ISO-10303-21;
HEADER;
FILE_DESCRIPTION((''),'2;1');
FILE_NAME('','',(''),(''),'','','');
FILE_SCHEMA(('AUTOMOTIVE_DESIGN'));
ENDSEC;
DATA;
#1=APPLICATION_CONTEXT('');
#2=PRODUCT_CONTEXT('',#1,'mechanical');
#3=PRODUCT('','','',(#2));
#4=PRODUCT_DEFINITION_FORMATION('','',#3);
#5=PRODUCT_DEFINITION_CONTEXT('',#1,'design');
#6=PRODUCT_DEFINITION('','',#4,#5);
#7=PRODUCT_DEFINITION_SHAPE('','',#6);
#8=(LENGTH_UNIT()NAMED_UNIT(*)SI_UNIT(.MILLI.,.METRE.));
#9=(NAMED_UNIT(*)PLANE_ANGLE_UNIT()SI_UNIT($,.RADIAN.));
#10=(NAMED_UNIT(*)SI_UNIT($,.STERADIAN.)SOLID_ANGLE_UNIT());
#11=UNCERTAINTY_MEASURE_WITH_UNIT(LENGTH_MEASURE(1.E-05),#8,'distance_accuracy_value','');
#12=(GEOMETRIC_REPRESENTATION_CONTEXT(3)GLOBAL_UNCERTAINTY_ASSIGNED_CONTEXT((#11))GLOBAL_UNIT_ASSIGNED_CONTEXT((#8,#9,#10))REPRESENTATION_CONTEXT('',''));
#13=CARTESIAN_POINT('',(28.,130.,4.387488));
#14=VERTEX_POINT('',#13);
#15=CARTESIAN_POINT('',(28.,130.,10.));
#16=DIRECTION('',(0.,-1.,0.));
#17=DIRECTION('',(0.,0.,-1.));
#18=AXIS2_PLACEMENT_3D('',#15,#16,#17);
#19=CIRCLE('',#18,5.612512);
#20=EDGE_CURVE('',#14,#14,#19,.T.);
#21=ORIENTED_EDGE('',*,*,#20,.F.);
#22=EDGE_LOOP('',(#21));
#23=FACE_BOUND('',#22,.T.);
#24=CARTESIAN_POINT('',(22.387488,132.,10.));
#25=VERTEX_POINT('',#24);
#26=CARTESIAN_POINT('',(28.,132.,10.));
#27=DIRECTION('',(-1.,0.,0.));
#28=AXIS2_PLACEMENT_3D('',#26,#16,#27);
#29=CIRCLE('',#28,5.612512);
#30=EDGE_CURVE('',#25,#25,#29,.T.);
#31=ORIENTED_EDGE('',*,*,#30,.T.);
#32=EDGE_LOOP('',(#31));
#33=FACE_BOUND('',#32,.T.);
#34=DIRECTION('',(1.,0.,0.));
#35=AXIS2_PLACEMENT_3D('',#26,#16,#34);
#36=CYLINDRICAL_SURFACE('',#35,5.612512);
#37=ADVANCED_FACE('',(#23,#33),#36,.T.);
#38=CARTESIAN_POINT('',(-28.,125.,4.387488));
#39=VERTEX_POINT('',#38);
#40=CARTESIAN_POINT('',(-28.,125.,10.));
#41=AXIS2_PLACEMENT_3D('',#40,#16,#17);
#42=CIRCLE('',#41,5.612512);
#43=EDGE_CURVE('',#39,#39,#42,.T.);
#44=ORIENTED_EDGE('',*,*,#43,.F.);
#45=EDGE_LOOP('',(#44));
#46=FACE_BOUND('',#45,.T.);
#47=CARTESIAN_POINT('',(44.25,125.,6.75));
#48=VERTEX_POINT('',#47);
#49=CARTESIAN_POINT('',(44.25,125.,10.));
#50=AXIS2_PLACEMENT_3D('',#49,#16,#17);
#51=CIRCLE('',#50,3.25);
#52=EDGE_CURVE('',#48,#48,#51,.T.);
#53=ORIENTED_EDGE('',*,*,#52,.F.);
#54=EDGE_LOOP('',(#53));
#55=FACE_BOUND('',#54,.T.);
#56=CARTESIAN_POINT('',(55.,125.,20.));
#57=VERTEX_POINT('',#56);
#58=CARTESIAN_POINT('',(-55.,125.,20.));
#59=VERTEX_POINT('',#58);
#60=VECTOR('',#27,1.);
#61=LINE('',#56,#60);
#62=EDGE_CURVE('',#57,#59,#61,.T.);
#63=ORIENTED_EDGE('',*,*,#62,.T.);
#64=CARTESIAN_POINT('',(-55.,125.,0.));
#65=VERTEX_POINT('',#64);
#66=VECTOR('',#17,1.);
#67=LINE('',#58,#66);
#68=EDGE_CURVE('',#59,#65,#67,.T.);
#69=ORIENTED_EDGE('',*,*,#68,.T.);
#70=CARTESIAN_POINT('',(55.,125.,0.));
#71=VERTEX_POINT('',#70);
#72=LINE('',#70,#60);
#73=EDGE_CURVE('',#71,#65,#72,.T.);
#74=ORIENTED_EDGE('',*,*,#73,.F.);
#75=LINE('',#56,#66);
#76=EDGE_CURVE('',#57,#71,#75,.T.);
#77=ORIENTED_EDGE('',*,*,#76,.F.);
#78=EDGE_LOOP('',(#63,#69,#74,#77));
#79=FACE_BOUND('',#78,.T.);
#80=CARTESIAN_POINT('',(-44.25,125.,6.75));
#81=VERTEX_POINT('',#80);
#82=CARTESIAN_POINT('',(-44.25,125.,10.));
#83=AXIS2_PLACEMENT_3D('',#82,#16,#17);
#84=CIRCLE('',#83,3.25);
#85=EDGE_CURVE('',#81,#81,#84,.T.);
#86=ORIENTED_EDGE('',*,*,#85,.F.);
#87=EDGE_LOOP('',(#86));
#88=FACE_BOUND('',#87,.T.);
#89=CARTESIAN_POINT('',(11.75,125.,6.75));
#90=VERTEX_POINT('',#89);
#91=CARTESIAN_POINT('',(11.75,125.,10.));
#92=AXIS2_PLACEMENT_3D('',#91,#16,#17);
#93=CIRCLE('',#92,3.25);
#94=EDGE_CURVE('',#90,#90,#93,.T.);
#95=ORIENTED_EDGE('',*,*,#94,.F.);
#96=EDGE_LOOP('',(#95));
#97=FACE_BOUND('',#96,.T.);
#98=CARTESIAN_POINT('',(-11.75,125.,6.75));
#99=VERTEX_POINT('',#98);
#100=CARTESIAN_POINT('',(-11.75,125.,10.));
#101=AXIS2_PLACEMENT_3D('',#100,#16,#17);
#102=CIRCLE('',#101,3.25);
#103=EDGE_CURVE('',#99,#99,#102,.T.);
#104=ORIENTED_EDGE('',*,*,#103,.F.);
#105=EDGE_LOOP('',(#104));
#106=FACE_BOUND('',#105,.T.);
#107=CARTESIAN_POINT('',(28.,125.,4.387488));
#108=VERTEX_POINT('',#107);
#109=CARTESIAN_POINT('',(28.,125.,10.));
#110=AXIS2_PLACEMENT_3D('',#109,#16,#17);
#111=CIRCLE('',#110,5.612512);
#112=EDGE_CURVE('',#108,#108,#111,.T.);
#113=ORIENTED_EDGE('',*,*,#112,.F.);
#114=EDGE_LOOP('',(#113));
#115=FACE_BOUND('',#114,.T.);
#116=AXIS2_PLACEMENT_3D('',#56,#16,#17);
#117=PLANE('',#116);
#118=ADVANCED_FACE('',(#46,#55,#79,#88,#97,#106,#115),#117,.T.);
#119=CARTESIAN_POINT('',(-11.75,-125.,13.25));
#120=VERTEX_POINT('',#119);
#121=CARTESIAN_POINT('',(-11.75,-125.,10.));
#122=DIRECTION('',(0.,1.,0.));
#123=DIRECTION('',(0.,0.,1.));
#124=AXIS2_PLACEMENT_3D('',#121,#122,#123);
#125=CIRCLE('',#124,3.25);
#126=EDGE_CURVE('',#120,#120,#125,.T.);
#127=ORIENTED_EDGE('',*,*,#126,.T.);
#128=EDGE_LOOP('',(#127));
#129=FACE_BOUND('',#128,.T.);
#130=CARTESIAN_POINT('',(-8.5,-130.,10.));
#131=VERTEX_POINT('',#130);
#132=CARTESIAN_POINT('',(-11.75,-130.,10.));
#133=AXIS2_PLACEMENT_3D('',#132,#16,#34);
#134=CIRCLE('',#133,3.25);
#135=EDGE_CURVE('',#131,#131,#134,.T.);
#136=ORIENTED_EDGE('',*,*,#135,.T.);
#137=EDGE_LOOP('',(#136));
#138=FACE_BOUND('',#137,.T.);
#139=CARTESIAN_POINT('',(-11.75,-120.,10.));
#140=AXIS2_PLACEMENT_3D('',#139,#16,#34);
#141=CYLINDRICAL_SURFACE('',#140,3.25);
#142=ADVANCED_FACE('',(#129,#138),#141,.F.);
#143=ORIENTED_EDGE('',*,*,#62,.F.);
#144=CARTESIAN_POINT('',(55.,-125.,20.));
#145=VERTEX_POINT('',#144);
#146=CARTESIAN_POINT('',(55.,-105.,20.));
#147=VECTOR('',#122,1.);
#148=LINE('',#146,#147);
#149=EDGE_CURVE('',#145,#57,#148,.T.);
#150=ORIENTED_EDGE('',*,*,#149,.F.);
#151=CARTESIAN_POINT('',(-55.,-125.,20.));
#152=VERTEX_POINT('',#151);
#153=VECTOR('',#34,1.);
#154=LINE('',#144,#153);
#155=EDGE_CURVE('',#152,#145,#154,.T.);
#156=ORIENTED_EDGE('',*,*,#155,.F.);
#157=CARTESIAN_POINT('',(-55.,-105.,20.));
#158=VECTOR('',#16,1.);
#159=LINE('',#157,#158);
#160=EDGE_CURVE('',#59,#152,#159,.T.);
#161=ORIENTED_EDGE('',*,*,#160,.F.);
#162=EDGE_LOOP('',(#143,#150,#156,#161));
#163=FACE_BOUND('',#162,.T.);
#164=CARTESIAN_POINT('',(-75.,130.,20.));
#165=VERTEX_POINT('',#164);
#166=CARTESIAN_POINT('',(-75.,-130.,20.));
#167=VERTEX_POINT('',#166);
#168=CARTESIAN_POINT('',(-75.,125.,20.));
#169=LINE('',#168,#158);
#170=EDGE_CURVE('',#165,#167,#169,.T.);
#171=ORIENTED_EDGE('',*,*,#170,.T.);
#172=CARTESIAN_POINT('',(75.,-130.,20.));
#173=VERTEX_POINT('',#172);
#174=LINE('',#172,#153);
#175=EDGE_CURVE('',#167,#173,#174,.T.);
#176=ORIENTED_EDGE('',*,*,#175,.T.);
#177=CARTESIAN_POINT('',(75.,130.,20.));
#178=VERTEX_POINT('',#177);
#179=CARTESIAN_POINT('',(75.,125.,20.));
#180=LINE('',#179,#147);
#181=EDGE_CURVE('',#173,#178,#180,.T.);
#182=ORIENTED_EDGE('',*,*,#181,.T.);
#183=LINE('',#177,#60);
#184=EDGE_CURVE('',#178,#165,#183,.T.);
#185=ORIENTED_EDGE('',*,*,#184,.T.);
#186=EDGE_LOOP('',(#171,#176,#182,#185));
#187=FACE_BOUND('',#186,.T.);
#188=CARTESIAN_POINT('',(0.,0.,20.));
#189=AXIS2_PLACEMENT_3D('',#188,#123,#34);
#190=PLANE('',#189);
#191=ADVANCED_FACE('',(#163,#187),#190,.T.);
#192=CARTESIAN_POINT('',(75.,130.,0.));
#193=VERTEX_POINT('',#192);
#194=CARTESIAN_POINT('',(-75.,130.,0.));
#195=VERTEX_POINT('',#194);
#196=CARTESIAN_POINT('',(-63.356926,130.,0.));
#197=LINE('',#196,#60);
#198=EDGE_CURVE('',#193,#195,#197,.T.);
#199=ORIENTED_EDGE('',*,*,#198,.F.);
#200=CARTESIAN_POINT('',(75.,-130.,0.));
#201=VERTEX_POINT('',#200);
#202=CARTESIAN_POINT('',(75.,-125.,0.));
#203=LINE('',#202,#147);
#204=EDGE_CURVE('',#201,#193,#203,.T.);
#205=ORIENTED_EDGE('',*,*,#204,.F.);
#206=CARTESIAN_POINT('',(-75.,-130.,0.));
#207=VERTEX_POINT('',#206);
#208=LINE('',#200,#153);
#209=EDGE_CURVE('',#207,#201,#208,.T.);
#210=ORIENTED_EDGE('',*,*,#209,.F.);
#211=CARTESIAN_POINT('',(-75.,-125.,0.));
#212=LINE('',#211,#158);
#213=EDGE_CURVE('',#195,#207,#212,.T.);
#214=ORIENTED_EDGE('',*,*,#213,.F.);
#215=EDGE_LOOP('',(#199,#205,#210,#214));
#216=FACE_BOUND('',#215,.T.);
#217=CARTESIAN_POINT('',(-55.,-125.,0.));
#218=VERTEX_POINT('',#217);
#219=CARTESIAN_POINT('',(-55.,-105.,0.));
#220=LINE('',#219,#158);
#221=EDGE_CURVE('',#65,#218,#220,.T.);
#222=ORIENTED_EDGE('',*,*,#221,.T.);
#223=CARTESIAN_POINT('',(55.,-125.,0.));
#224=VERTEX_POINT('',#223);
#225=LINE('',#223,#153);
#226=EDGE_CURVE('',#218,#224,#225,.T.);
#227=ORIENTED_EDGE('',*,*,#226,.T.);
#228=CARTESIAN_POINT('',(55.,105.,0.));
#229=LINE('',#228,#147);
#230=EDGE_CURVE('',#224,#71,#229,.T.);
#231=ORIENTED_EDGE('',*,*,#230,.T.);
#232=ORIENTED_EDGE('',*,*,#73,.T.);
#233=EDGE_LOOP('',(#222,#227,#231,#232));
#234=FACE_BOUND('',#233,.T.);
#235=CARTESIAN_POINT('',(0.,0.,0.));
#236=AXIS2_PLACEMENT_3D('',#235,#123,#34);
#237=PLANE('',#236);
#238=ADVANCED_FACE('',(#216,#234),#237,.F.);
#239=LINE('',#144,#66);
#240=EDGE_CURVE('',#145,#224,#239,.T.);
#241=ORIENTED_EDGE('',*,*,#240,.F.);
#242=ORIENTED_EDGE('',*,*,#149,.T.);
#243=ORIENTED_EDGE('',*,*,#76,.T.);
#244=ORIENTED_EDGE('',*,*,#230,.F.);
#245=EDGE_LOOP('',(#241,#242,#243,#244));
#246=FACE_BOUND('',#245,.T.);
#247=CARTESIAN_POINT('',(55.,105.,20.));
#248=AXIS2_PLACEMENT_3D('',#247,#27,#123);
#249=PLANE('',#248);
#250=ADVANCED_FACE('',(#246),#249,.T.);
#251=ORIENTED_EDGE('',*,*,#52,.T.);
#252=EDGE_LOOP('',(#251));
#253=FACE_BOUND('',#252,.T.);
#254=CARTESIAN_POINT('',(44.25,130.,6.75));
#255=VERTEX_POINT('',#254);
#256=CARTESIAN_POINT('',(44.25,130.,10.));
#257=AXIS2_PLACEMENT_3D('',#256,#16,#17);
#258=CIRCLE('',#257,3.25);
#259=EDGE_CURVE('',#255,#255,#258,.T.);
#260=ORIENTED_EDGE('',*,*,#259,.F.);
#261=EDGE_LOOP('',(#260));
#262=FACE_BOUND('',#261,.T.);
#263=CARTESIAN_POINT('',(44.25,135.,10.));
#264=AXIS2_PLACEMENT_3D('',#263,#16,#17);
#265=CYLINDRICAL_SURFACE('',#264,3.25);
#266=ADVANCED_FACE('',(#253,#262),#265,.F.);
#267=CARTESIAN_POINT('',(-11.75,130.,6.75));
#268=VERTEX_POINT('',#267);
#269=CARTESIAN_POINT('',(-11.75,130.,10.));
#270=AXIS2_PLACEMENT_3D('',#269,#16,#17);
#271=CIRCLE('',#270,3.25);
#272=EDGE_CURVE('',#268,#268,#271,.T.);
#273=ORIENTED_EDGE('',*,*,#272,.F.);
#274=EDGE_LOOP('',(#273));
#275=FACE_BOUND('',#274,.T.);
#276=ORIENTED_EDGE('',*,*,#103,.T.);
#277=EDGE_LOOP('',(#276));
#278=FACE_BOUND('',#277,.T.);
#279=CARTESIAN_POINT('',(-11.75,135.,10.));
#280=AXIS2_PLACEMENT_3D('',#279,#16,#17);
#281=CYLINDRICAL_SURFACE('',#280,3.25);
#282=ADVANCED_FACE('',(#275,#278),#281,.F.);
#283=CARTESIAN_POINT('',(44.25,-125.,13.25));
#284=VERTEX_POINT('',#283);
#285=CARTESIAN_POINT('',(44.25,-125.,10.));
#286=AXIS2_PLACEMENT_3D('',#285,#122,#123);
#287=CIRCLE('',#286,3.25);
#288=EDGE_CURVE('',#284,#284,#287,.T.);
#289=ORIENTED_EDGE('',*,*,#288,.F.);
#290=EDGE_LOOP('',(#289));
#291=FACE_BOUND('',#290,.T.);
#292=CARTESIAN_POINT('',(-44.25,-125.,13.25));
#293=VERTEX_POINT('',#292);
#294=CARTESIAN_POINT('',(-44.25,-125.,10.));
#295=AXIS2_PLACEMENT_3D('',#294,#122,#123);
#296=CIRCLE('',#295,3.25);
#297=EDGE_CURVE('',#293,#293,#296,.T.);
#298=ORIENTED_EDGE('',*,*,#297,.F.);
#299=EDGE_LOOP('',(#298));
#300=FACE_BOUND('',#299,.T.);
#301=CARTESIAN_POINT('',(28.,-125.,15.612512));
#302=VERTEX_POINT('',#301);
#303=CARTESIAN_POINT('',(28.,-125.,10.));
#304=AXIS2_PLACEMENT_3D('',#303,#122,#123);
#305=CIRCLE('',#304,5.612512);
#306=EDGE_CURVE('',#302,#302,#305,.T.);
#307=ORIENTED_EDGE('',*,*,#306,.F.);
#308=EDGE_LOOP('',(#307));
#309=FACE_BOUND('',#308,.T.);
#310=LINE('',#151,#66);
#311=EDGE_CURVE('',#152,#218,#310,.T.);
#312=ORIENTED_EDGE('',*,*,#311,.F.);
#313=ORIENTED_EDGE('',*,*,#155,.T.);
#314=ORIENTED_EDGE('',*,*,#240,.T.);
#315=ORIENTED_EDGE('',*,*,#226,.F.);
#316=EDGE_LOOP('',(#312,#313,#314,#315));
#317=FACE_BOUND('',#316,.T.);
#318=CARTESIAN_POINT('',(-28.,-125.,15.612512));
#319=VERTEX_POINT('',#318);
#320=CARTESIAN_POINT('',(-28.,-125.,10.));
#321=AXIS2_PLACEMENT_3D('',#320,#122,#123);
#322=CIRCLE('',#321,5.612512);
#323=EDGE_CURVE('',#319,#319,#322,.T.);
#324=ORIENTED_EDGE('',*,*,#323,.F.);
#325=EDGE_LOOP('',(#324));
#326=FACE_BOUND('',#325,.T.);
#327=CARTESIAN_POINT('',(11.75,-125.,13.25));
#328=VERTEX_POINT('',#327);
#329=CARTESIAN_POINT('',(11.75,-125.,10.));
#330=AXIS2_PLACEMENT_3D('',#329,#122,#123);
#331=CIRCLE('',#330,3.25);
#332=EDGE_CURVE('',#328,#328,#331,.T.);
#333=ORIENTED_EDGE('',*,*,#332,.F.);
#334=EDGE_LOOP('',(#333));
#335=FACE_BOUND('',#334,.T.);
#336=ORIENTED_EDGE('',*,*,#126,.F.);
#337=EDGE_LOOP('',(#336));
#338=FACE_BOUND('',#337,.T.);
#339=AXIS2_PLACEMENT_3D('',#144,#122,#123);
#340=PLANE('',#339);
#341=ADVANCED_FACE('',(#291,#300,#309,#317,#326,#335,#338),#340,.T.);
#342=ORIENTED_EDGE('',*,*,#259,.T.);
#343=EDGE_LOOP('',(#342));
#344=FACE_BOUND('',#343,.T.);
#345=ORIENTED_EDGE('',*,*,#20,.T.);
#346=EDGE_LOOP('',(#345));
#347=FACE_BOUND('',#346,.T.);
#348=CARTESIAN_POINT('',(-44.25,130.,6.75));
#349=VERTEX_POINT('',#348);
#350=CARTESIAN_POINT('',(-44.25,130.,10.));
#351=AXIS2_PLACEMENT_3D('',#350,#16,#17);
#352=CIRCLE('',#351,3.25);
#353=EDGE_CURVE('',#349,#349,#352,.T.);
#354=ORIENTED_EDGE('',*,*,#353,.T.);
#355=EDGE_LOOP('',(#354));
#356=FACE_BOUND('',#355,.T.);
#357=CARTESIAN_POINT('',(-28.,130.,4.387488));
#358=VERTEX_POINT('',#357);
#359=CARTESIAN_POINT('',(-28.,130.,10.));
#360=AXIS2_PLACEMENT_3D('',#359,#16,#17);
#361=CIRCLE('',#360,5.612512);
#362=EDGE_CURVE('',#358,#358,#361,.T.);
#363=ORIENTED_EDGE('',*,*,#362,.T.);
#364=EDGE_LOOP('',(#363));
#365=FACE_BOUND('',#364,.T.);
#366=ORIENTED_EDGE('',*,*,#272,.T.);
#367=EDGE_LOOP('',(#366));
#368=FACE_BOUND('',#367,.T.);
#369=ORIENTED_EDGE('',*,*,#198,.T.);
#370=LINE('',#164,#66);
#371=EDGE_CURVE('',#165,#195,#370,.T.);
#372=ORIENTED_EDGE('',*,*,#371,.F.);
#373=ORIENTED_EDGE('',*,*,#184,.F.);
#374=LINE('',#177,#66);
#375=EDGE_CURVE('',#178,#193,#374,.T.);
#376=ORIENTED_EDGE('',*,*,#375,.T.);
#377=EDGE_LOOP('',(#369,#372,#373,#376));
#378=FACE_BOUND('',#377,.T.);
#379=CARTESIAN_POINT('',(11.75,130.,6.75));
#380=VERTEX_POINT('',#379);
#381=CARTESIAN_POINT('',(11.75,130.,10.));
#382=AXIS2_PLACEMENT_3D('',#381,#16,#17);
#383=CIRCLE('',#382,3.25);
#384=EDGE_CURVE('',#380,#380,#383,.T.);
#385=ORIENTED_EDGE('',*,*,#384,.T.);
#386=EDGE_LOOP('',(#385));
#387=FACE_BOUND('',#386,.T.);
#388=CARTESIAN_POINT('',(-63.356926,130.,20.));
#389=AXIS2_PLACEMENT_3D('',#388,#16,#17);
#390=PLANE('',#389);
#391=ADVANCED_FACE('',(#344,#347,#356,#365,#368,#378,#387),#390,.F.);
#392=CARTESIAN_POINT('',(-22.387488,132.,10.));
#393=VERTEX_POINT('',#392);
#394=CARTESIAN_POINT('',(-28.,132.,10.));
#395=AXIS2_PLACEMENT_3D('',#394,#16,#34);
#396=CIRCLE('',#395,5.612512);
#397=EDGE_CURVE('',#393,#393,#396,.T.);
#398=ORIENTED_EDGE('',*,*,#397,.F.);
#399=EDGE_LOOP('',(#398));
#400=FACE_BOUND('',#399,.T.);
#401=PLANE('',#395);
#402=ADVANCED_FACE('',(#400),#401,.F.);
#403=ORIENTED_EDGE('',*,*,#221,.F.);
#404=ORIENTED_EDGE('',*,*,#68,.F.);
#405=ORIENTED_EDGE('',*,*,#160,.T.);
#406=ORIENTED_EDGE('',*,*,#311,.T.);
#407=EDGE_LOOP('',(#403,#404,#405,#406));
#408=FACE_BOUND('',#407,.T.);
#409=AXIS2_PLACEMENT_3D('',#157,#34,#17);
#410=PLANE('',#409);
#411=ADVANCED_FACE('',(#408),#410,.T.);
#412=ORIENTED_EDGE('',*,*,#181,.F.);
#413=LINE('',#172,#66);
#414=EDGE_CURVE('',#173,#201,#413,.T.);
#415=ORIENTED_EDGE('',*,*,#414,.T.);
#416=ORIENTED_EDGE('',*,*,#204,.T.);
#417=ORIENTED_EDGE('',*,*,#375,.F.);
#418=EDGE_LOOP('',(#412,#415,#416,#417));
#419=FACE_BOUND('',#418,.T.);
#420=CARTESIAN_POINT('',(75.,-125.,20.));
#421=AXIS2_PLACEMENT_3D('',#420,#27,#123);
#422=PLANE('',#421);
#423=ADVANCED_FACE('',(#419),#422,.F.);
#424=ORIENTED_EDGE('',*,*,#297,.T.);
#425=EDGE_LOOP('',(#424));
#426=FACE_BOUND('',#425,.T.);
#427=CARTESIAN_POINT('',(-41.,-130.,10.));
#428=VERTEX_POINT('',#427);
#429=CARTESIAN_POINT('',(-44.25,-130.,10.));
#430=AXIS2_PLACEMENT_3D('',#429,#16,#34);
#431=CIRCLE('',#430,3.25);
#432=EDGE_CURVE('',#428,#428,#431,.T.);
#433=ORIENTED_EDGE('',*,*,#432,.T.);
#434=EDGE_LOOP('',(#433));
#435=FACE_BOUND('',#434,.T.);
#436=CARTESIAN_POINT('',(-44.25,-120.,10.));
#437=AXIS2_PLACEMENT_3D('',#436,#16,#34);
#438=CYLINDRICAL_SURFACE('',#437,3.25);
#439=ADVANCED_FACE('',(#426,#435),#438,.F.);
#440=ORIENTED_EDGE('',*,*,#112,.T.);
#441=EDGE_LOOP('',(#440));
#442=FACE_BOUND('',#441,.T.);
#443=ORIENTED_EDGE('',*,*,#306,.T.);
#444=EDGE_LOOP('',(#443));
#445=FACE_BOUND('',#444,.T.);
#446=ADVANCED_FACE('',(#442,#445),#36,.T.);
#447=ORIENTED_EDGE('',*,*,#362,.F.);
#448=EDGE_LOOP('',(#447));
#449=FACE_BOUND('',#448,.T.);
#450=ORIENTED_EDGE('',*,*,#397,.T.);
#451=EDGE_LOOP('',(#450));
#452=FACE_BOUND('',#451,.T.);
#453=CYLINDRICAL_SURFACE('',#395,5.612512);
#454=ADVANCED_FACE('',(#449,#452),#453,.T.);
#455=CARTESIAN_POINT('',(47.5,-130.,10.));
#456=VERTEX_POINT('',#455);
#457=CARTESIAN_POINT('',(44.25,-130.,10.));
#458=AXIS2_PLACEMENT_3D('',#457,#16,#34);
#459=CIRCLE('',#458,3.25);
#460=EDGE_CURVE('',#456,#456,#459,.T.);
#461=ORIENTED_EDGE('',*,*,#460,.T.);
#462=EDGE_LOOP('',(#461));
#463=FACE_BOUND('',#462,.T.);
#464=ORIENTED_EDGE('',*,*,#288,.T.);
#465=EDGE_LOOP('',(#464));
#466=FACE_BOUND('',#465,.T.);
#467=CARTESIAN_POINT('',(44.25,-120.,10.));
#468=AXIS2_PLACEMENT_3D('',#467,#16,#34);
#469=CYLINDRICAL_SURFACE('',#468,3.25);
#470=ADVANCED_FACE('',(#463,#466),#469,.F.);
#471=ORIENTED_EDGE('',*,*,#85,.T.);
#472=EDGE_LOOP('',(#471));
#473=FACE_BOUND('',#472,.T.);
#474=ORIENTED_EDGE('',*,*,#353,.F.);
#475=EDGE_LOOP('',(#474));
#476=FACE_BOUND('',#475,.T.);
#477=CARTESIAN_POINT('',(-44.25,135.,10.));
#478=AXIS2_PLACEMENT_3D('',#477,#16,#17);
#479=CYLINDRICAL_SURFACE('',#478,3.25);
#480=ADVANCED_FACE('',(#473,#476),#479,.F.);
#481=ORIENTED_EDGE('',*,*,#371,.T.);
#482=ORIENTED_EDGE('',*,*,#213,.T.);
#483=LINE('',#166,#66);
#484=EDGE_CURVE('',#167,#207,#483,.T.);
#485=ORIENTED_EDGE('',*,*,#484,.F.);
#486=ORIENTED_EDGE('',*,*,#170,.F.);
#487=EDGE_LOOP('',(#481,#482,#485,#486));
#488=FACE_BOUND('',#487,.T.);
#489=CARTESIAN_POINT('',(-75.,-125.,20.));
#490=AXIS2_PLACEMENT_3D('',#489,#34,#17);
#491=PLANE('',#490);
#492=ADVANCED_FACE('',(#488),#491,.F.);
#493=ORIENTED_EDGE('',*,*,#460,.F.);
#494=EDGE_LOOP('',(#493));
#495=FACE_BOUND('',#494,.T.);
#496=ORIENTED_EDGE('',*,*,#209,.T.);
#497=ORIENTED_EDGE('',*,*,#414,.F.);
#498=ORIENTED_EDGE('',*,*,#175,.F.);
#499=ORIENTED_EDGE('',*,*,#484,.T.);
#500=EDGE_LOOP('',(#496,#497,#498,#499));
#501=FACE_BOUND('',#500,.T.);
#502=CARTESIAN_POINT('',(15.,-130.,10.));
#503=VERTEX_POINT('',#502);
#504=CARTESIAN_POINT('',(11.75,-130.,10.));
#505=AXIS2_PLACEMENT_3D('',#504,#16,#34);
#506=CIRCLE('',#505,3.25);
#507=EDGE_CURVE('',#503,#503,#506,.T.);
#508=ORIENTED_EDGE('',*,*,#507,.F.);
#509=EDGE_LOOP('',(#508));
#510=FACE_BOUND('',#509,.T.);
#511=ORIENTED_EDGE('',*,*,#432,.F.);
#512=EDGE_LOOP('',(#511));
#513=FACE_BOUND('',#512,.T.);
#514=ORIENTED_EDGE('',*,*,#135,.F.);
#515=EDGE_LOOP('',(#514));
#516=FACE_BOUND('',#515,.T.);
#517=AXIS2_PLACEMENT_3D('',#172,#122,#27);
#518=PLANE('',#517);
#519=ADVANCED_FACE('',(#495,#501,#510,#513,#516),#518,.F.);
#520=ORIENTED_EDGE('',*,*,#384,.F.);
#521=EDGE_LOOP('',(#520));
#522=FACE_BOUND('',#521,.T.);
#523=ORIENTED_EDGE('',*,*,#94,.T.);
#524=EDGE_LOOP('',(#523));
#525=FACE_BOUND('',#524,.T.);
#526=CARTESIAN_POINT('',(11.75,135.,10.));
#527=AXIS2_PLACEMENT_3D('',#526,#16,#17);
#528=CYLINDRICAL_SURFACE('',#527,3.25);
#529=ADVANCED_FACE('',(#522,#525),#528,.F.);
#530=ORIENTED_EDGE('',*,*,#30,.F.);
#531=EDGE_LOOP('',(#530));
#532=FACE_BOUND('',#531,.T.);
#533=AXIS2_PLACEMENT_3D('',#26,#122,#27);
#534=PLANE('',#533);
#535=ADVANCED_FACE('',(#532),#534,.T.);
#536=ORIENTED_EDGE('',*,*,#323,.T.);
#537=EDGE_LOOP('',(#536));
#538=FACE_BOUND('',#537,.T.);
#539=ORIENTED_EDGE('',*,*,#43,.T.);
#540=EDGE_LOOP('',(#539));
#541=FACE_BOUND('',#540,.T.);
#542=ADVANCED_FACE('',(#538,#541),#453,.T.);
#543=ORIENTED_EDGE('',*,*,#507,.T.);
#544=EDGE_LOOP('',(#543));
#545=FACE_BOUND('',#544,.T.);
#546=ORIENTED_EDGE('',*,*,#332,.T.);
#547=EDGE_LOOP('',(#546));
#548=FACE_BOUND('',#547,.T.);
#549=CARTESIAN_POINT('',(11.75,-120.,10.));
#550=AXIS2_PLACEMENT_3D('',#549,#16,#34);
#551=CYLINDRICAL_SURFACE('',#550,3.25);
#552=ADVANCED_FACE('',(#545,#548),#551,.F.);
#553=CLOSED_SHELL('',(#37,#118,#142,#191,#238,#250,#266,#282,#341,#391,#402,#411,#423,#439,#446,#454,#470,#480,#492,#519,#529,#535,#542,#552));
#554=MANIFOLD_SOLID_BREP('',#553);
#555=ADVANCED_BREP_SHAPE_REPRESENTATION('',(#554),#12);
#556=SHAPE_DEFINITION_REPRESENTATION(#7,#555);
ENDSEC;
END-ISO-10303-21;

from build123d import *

# Parameters (mm, degrees)
BOSS_EXTRUDE1_DEPTH = 20
SKETCH2_R           = 5.612511992
BOSS_EXTRUDE2_DEPTH = 262
SKETCH3_R           = 3.25
CUT_EXTRUDE1_DEPTH  = 10
SKETCH4_R           = 3.25
CUT_EXTRUDE2_DEPTH  = 10


with BuildPart() as part:
    # Sketch1 → Boss-Extrude1 (new body)
    with BuildSketch(Plane.XY):
        Polygon((-75, -125), (-75, 125), (-75, 130), (-63.356925632, 130), (75, 130), (75, 125), (75, -125), (75, -130), (-75, -130), align=None)
        Polygon((-55, -105), (-55, 105), (-55, 125), (55, 125), (55, 105), (55, -105), (55, -125), (-55, -125), align=None, mode=Mode.SUBTRACT)
    extrude(amount=BOSS_EXTRUDE1_DEPTH)

    # Sketch2 → Boss-Extrude2 (add)
    with BuildSketch(Plane.XZ.offset(130)):
        with Locations(Location((-28, 10, 0), (0, 0, 90))):
            Circle(SKETCH2_R)
        with Locations(Location((28, 10, 0), (0, 0, 90))):
            Circle(SKETCH2_R)
    extrude(amount=-BOSS_EXTRUDE2_DEPTH)

    # Sketch3 → Cut-Extrude1 (cut)
    with BuildSketch(Plane.XZ.offset(-125)):
        with Locations(Location((-44.25, 10, 0), (0, 0, 270))):
            Circle(SKETCH3_R)
        with Locations(Location((-11.75, 10, 0), (0, 0, 270))):
            Circle(SKETCH3_R)
        with Locations(Location((11.75, 10, 0), (0, 0, 270))):
            Circle(SKETCH3_R)
        with Locations(Location((44.25, 10, 0), (0, 0, 270))):
            Circle(SKETCH3_R)
    extrude(amount=-CUT_EXTRUDE1_DEPTH, mode=Mode.SUBTRACT)

    # Sketch4 → Cut-Extrude2 (cut)
    with BuildSketch(Plane.XZ.offset(130)):
        with Locations(Location((-44.25, 10, 0), (0, 0, 270))):
            Circle(SKETCH4_R)
        with Locations(Location((-11.75, 10, 0), (0, 0, 270))):
            Circle(SKETCH4_R)
        with Locations(Location((11.75, 10, 0), (0, 0, 270))):
            Circle(SKETCH4_R)
        with Locations(Location((44.25, 10, 0), (0, 0, 270))):
            Circle(SKETCH4_R)
    extrude(amount=-CUT_EXTRUDE2_DEPTH, mode=Mode.SUBTRACT)


solid = part.part
